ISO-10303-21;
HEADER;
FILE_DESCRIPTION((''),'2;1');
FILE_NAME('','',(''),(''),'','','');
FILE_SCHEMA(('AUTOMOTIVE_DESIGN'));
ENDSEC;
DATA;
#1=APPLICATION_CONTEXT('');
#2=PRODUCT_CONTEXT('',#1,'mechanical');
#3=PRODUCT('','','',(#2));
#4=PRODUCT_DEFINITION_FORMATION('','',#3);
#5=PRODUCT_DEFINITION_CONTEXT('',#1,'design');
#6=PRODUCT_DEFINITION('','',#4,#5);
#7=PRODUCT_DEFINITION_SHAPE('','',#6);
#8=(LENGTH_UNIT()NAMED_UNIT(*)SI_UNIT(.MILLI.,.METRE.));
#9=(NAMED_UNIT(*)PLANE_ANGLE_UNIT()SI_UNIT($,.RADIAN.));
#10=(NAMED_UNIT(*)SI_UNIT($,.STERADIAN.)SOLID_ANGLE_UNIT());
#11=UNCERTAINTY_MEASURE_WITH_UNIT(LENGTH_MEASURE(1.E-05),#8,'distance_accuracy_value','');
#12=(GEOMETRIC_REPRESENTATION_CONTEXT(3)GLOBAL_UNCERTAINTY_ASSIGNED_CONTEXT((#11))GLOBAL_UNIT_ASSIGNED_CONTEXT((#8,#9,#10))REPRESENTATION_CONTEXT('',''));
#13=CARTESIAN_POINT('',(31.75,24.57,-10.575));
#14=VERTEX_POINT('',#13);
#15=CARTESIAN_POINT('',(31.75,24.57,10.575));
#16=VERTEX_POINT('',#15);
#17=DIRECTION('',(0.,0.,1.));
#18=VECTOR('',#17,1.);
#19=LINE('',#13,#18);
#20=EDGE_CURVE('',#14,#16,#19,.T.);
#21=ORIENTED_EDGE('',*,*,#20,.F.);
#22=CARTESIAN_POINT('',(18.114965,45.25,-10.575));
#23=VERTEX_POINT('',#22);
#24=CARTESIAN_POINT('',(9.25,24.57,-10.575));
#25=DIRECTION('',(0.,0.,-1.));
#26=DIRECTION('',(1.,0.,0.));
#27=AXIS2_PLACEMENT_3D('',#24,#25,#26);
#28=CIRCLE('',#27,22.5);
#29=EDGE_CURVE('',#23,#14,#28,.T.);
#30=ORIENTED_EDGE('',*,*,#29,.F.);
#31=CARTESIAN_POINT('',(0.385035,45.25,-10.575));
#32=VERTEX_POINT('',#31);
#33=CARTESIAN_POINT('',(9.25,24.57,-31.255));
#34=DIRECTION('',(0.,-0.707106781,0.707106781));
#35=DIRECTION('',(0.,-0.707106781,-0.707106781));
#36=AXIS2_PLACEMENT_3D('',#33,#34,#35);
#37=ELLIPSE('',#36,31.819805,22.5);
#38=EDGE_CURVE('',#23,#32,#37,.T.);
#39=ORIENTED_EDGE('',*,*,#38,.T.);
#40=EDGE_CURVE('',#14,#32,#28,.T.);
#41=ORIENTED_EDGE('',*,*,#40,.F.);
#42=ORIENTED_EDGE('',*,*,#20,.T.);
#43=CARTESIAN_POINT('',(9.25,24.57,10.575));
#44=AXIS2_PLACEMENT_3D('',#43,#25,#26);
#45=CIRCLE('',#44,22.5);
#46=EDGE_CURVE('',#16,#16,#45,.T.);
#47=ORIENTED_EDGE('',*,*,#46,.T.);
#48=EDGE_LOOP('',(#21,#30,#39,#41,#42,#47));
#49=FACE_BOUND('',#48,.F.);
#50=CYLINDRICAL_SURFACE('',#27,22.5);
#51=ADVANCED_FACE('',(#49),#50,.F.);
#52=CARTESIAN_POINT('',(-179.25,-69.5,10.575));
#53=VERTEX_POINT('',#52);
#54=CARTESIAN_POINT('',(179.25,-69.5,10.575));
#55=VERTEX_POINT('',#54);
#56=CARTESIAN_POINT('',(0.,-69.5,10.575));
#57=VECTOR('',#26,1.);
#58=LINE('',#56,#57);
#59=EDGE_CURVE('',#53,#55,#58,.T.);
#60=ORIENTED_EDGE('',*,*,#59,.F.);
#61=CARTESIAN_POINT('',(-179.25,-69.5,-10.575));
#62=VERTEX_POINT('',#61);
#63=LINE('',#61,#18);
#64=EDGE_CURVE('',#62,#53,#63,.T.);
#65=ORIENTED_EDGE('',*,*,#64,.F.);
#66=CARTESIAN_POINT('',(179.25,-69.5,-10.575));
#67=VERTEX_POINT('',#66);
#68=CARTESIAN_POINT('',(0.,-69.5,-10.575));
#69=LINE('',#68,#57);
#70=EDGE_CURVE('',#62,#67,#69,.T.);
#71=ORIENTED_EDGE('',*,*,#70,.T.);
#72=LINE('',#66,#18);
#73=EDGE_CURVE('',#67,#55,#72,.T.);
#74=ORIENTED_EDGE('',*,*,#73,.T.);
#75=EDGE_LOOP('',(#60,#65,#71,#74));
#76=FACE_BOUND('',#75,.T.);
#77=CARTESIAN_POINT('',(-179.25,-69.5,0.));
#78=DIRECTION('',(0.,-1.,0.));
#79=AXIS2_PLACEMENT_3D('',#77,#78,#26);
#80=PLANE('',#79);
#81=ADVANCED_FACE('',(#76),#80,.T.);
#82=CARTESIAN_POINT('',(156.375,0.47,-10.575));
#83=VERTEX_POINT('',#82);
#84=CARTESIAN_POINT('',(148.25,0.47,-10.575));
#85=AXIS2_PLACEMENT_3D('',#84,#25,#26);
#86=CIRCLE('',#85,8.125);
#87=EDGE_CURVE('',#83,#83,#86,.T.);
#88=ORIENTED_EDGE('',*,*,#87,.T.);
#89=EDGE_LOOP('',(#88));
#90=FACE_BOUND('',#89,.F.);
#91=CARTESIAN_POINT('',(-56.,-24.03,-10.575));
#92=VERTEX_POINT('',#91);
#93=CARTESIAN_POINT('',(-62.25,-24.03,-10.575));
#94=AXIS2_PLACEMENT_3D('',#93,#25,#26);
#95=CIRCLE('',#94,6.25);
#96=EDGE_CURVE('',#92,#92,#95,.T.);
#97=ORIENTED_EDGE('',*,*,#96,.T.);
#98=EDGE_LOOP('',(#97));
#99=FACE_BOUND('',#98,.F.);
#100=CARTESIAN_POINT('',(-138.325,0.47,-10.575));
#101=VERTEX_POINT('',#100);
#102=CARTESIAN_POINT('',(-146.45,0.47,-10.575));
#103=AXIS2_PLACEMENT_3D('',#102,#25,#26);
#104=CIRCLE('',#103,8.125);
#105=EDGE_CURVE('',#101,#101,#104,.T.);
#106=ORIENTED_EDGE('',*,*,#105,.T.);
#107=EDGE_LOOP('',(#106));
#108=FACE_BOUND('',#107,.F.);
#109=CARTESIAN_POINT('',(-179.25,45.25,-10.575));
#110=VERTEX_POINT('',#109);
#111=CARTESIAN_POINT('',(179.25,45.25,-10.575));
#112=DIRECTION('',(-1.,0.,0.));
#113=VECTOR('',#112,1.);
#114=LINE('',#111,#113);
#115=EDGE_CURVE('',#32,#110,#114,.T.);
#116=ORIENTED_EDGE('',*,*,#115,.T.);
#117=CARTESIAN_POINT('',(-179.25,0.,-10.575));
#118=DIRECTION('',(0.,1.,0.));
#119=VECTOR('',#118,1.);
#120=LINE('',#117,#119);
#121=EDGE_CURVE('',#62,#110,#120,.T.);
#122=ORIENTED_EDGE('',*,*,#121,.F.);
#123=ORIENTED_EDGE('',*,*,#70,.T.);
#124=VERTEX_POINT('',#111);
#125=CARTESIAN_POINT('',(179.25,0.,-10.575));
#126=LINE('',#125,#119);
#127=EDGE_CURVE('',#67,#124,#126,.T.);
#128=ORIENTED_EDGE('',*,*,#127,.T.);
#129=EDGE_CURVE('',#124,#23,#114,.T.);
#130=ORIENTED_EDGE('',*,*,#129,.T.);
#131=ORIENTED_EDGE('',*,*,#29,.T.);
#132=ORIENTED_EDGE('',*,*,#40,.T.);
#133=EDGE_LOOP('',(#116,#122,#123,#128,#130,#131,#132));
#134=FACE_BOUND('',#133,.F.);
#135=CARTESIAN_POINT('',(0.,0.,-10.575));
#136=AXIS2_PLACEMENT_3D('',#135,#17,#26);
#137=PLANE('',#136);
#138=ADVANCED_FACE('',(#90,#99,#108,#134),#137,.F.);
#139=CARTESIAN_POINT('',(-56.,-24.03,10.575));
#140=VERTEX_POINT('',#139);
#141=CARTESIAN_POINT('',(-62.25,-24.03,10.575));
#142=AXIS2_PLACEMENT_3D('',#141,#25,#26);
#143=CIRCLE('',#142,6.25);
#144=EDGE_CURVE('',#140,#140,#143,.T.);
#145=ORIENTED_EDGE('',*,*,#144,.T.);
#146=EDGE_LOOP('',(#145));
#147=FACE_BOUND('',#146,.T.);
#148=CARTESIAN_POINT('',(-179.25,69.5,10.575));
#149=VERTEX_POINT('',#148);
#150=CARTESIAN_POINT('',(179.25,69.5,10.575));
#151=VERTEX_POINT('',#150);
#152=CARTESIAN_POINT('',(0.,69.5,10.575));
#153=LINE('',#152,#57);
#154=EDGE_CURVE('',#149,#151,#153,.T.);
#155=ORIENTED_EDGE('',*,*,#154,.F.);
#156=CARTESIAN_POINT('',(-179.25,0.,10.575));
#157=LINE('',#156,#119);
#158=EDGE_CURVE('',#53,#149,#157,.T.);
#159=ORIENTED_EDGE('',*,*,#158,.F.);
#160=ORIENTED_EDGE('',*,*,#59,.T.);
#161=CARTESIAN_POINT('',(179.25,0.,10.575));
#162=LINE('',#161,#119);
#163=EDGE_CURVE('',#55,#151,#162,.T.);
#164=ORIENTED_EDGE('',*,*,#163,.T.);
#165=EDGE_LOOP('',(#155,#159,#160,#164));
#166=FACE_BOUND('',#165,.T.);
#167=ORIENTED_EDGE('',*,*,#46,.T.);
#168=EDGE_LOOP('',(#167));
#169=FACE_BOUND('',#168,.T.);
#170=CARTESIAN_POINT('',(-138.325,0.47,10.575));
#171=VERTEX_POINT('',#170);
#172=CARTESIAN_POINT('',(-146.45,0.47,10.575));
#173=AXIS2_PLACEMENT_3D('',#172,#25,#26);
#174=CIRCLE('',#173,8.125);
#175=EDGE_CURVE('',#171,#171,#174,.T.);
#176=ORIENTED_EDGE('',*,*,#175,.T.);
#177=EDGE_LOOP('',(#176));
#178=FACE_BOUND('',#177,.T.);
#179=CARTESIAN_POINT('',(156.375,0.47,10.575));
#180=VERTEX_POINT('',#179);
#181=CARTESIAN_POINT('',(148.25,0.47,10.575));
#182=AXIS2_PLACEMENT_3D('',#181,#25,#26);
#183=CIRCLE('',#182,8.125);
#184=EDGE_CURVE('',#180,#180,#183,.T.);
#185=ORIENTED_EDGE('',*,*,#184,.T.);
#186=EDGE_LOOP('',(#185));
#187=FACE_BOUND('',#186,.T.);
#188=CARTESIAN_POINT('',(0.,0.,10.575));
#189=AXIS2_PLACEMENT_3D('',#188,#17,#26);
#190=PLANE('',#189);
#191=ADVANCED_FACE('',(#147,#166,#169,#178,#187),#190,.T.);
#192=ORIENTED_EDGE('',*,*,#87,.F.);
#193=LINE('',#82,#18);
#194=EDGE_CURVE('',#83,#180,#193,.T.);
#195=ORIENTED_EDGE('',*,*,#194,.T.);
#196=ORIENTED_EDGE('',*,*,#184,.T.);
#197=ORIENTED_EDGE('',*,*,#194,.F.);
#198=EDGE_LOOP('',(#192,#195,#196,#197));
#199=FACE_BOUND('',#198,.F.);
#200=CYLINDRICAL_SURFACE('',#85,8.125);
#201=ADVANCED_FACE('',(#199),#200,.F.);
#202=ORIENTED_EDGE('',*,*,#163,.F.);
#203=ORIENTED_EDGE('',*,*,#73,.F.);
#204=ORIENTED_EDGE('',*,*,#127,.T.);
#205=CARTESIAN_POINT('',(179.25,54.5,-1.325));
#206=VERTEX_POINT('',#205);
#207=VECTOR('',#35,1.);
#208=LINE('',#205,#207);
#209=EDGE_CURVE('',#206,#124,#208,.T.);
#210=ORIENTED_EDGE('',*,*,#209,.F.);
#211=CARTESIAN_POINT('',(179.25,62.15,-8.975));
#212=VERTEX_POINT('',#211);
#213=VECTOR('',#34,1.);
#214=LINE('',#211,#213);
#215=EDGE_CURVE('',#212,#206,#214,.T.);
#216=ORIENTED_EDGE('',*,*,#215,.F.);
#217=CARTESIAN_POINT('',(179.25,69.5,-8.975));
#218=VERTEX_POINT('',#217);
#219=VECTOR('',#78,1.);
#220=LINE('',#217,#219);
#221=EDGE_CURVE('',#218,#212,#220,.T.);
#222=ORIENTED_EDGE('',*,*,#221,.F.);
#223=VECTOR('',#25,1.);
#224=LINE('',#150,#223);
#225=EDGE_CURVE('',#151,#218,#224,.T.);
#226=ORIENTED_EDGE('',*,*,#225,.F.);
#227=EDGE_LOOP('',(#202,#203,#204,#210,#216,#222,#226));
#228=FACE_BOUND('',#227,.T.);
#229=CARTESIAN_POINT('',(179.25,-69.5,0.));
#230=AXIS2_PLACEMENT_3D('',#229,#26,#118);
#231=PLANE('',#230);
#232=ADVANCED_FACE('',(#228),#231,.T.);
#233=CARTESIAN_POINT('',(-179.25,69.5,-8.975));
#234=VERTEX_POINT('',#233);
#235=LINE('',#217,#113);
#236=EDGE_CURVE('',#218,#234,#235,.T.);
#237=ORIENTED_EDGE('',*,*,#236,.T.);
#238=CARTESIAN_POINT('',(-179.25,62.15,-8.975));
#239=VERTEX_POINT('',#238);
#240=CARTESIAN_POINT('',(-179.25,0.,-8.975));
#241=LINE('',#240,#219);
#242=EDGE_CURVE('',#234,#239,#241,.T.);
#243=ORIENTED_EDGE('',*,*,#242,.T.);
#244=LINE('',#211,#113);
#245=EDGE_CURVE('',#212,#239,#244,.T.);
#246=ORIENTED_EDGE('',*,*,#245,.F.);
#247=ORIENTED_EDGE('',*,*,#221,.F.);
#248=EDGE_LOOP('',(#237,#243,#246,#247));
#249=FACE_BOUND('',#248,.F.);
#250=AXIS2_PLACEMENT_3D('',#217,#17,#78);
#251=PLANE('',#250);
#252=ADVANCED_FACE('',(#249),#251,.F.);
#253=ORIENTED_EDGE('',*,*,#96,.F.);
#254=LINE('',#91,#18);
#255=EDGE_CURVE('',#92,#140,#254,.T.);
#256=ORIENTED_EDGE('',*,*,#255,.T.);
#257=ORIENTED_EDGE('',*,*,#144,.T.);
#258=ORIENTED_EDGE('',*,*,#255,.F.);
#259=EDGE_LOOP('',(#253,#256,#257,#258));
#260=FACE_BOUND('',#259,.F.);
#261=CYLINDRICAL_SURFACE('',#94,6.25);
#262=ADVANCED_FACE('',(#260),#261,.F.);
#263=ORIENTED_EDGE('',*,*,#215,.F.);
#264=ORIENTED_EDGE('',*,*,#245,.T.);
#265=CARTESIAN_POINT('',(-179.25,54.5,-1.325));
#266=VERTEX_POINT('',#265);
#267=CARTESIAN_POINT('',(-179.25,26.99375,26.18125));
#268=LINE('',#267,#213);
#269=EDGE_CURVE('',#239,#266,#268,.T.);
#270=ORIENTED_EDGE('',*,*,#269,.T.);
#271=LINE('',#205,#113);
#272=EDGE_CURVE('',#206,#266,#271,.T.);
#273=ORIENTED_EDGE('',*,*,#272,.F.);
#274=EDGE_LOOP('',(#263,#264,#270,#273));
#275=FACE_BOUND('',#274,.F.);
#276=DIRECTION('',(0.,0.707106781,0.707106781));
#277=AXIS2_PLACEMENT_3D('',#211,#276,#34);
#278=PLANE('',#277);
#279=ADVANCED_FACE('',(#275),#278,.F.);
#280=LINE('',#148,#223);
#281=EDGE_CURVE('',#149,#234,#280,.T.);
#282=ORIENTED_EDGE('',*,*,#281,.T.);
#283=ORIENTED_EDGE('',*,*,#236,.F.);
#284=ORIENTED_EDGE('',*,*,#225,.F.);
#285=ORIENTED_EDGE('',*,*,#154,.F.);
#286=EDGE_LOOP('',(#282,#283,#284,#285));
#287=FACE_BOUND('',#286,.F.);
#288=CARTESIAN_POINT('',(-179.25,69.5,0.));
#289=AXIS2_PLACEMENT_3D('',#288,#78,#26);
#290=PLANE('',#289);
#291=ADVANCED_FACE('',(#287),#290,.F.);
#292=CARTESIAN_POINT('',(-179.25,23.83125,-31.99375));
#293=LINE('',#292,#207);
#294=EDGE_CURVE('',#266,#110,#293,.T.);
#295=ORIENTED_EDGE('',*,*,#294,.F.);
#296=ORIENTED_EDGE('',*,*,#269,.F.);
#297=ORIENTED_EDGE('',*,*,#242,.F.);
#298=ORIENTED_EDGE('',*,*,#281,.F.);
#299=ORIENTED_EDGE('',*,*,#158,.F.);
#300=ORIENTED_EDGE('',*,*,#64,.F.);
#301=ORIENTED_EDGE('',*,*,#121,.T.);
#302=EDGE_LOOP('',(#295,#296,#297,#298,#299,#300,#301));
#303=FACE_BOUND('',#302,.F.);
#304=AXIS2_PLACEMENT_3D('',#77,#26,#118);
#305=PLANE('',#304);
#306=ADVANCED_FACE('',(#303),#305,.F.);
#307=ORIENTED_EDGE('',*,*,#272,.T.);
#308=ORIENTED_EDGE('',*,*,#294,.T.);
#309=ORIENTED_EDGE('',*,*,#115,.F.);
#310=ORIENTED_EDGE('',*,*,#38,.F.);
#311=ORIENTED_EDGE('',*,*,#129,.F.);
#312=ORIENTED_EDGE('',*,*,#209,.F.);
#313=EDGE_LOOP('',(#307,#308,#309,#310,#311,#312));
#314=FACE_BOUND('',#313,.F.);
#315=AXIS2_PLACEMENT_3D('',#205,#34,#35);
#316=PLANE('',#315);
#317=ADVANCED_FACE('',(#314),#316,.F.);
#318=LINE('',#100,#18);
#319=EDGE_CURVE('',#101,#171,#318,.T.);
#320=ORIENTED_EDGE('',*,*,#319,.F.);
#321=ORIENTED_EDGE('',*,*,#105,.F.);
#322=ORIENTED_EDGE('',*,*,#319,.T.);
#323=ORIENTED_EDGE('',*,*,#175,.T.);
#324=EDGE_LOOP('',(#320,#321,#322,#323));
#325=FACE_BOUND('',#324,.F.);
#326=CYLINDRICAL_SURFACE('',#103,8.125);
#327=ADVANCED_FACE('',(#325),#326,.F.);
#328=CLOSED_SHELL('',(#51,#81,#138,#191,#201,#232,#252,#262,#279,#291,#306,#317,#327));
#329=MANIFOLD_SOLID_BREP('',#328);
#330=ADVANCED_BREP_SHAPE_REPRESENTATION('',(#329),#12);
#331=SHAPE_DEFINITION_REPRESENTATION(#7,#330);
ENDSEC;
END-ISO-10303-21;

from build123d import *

# Parameters (mm, degrees)
F0_W     = 358.5
F0_H     = 139
F1_DEPTH = 10.575
F3_DEPTH = 358.501
F4_R     = 8.125
F4_R_2   = 6.25
F4_R_3   = 22.5
F5_DEPTH = 21.151


with BuildPart() as f1:
    # F0 (on Top) → F1 (new body, symmetric)
    with BuildSketch(Plane.XY):
        Rectangle(F0_W, F0_H)
    extrude(amount=F1_DEPTH, both=True)

    # F2 (on face) → F3 (cut, through all)
    with BuildSketch(Plane.YZ.offset(179.25)):
        Polygon((69.5, -8.975), (62.15, -8.975), (54.5, -1.325), (45.25, -10.575), (69.5, -10.575), align=None)
    extrude(amount=-F3_DEPTH, mode=Mode.SUBTRACT)

    # F4 (on face) → F5 (cut, through all)
    with BuildSketch(Plane(origin=(0, 0, -10.575), x_dir=(1, 0, 0), z_dir=(0, 0, -1))):
        with Locations((148.25, -0.47)):
            Circle(F4_R)
        with Locations((-146.45, -0.47)):
            Circle(F4_R)
        with Locations((-62.25, 24.03)):
            Circle(F4_R_2)
        with Locations((9.25, -24.57)):
            Circle(F4_R_3)
    extrude(amount=-F5_DEPTH, mode=Mode.SUBTRACT)


solid = f1.part
